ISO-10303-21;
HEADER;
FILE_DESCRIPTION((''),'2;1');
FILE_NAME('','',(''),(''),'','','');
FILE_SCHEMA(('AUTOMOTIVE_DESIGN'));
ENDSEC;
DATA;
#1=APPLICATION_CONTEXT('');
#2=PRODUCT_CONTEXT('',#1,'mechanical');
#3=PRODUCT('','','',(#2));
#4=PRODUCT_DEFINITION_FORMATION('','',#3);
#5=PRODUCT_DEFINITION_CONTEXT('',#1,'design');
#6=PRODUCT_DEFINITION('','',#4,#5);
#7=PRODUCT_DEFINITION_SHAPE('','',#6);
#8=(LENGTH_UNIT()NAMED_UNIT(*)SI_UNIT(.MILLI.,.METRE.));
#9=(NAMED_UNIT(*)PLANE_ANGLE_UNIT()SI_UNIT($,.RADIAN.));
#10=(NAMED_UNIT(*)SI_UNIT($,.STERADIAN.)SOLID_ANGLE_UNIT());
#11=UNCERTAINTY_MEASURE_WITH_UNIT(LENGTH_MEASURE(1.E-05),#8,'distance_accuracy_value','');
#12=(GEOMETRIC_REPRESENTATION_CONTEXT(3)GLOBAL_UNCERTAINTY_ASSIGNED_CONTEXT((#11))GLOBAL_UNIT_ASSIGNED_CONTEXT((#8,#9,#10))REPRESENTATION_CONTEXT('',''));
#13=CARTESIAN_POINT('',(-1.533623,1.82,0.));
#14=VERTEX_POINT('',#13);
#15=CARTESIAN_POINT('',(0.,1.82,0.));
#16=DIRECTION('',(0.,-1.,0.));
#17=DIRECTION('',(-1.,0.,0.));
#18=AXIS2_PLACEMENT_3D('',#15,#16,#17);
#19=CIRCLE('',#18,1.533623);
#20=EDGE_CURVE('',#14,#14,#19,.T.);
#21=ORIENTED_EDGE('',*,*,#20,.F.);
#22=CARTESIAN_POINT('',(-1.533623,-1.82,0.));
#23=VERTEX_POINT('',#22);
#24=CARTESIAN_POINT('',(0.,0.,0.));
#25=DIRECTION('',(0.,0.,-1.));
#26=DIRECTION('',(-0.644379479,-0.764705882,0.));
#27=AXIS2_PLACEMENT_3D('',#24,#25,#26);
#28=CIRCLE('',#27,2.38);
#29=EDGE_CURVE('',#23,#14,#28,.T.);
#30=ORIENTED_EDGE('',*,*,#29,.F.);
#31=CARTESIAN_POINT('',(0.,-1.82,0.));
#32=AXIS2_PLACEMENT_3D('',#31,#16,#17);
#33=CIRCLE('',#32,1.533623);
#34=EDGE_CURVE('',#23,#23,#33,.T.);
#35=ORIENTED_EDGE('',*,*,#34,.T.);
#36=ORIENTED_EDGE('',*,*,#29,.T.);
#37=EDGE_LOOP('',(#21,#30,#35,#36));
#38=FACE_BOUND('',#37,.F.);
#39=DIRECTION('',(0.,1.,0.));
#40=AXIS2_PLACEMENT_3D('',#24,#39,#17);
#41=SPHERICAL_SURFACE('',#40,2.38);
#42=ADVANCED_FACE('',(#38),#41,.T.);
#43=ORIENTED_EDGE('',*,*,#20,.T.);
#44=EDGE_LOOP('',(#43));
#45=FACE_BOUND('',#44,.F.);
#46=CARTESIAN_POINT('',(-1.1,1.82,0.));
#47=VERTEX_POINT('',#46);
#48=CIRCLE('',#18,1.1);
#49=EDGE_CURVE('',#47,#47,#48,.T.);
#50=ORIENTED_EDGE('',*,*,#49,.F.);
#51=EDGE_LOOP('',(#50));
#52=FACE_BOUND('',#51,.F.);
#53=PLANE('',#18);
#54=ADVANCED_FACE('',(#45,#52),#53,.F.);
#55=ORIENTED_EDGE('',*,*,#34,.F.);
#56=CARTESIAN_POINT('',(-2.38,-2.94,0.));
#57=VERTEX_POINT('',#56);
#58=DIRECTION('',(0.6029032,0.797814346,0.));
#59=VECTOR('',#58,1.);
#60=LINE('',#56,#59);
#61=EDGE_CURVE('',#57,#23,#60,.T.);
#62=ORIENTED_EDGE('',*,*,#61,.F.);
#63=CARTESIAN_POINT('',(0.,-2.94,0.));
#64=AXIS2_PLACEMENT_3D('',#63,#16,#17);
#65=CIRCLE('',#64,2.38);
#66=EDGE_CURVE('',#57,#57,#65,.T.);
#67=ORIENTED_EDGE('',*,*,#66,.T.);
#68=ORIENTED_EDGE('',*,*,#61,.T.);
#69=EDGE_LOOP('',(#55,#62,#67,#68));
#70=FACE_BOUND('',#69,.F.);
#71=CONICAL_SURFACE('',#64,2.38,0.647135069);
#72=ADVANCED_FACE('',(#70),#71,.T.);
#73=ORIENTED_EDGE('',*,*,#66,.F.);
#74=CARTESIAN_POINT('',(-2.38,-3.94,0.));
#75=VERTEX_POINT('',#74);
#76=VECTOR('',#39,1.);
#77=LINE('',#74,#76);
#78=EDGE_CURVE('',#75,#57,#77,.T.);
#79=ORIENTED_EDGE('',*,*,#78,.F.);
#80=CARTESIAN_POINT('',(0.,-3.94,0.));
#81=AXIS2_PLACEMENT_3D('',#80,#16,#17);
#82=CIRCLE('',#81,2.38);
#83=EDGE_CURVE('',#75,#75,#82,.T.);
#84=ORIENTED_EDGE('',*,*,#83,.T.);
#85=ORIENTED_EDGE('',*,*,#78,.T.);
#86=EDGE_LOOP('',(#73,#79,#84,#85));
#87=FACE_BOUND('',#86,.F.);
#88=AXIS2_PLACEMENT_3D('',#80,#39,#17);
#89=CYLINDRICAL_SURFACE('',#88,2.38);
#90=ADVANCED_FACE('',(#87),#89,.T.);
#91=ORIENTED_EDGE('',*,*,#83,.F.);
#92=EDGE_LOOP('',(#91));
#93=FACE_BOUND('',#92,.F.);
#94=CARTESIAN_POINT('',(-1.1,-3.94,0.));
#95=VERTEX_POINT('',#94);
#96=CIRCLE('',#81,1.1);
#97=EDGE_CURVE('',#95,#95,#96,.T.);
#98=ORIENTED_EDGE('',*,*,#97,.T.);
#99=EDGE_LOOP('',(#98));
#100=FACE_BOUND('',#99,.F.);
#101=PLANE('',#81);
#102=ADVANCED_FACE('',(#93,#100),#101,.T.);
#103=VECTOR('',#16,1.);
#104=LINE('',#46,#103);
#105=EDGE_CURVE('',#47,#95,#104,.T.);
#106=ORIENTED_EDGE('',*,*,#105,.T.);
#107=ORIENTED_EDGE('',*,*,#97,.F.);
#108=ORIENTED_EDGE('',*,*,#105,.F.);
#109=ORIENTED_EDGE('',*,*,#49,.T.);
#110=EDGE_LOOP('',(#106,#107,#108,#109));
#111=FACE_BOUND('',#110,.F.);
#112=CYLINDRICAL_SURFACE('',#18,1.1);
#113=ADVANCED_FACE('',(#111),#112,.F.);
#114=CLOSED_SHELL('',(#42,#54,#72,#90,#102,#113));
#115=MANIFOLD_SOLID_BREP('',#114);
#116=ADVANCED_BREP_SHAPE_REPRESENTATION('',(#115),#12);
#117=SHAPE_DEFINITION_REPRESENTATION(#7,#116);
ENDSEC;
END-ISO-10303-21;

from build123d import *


with BuildPart() as part:
    # Sketch2 → Revolve2 (revolve)
    with BuildSketch(Plane.XY):
        with BuildLine():
            Line((-1.1, -3.94), (-2.38, -3.94))
            Line((-2.38, -3.94), (-2.38, -2.94))
            Line((-2.38, -2.94), (-1.533623161, -1.82))
            ThreePointArc((-1.533623161, -1.82), (-2.38, 0), (-1.533623161, 1.82))
            Line((-1.533623161, 1.82), (-1.1, 1.82))
            Line((-1.1, 1.82), (-1.1, -3.94))
        make_face()
    revolve(axis=Axis((0, 4.380472835, 0), (0, -1, 0)))


solid = part.part
